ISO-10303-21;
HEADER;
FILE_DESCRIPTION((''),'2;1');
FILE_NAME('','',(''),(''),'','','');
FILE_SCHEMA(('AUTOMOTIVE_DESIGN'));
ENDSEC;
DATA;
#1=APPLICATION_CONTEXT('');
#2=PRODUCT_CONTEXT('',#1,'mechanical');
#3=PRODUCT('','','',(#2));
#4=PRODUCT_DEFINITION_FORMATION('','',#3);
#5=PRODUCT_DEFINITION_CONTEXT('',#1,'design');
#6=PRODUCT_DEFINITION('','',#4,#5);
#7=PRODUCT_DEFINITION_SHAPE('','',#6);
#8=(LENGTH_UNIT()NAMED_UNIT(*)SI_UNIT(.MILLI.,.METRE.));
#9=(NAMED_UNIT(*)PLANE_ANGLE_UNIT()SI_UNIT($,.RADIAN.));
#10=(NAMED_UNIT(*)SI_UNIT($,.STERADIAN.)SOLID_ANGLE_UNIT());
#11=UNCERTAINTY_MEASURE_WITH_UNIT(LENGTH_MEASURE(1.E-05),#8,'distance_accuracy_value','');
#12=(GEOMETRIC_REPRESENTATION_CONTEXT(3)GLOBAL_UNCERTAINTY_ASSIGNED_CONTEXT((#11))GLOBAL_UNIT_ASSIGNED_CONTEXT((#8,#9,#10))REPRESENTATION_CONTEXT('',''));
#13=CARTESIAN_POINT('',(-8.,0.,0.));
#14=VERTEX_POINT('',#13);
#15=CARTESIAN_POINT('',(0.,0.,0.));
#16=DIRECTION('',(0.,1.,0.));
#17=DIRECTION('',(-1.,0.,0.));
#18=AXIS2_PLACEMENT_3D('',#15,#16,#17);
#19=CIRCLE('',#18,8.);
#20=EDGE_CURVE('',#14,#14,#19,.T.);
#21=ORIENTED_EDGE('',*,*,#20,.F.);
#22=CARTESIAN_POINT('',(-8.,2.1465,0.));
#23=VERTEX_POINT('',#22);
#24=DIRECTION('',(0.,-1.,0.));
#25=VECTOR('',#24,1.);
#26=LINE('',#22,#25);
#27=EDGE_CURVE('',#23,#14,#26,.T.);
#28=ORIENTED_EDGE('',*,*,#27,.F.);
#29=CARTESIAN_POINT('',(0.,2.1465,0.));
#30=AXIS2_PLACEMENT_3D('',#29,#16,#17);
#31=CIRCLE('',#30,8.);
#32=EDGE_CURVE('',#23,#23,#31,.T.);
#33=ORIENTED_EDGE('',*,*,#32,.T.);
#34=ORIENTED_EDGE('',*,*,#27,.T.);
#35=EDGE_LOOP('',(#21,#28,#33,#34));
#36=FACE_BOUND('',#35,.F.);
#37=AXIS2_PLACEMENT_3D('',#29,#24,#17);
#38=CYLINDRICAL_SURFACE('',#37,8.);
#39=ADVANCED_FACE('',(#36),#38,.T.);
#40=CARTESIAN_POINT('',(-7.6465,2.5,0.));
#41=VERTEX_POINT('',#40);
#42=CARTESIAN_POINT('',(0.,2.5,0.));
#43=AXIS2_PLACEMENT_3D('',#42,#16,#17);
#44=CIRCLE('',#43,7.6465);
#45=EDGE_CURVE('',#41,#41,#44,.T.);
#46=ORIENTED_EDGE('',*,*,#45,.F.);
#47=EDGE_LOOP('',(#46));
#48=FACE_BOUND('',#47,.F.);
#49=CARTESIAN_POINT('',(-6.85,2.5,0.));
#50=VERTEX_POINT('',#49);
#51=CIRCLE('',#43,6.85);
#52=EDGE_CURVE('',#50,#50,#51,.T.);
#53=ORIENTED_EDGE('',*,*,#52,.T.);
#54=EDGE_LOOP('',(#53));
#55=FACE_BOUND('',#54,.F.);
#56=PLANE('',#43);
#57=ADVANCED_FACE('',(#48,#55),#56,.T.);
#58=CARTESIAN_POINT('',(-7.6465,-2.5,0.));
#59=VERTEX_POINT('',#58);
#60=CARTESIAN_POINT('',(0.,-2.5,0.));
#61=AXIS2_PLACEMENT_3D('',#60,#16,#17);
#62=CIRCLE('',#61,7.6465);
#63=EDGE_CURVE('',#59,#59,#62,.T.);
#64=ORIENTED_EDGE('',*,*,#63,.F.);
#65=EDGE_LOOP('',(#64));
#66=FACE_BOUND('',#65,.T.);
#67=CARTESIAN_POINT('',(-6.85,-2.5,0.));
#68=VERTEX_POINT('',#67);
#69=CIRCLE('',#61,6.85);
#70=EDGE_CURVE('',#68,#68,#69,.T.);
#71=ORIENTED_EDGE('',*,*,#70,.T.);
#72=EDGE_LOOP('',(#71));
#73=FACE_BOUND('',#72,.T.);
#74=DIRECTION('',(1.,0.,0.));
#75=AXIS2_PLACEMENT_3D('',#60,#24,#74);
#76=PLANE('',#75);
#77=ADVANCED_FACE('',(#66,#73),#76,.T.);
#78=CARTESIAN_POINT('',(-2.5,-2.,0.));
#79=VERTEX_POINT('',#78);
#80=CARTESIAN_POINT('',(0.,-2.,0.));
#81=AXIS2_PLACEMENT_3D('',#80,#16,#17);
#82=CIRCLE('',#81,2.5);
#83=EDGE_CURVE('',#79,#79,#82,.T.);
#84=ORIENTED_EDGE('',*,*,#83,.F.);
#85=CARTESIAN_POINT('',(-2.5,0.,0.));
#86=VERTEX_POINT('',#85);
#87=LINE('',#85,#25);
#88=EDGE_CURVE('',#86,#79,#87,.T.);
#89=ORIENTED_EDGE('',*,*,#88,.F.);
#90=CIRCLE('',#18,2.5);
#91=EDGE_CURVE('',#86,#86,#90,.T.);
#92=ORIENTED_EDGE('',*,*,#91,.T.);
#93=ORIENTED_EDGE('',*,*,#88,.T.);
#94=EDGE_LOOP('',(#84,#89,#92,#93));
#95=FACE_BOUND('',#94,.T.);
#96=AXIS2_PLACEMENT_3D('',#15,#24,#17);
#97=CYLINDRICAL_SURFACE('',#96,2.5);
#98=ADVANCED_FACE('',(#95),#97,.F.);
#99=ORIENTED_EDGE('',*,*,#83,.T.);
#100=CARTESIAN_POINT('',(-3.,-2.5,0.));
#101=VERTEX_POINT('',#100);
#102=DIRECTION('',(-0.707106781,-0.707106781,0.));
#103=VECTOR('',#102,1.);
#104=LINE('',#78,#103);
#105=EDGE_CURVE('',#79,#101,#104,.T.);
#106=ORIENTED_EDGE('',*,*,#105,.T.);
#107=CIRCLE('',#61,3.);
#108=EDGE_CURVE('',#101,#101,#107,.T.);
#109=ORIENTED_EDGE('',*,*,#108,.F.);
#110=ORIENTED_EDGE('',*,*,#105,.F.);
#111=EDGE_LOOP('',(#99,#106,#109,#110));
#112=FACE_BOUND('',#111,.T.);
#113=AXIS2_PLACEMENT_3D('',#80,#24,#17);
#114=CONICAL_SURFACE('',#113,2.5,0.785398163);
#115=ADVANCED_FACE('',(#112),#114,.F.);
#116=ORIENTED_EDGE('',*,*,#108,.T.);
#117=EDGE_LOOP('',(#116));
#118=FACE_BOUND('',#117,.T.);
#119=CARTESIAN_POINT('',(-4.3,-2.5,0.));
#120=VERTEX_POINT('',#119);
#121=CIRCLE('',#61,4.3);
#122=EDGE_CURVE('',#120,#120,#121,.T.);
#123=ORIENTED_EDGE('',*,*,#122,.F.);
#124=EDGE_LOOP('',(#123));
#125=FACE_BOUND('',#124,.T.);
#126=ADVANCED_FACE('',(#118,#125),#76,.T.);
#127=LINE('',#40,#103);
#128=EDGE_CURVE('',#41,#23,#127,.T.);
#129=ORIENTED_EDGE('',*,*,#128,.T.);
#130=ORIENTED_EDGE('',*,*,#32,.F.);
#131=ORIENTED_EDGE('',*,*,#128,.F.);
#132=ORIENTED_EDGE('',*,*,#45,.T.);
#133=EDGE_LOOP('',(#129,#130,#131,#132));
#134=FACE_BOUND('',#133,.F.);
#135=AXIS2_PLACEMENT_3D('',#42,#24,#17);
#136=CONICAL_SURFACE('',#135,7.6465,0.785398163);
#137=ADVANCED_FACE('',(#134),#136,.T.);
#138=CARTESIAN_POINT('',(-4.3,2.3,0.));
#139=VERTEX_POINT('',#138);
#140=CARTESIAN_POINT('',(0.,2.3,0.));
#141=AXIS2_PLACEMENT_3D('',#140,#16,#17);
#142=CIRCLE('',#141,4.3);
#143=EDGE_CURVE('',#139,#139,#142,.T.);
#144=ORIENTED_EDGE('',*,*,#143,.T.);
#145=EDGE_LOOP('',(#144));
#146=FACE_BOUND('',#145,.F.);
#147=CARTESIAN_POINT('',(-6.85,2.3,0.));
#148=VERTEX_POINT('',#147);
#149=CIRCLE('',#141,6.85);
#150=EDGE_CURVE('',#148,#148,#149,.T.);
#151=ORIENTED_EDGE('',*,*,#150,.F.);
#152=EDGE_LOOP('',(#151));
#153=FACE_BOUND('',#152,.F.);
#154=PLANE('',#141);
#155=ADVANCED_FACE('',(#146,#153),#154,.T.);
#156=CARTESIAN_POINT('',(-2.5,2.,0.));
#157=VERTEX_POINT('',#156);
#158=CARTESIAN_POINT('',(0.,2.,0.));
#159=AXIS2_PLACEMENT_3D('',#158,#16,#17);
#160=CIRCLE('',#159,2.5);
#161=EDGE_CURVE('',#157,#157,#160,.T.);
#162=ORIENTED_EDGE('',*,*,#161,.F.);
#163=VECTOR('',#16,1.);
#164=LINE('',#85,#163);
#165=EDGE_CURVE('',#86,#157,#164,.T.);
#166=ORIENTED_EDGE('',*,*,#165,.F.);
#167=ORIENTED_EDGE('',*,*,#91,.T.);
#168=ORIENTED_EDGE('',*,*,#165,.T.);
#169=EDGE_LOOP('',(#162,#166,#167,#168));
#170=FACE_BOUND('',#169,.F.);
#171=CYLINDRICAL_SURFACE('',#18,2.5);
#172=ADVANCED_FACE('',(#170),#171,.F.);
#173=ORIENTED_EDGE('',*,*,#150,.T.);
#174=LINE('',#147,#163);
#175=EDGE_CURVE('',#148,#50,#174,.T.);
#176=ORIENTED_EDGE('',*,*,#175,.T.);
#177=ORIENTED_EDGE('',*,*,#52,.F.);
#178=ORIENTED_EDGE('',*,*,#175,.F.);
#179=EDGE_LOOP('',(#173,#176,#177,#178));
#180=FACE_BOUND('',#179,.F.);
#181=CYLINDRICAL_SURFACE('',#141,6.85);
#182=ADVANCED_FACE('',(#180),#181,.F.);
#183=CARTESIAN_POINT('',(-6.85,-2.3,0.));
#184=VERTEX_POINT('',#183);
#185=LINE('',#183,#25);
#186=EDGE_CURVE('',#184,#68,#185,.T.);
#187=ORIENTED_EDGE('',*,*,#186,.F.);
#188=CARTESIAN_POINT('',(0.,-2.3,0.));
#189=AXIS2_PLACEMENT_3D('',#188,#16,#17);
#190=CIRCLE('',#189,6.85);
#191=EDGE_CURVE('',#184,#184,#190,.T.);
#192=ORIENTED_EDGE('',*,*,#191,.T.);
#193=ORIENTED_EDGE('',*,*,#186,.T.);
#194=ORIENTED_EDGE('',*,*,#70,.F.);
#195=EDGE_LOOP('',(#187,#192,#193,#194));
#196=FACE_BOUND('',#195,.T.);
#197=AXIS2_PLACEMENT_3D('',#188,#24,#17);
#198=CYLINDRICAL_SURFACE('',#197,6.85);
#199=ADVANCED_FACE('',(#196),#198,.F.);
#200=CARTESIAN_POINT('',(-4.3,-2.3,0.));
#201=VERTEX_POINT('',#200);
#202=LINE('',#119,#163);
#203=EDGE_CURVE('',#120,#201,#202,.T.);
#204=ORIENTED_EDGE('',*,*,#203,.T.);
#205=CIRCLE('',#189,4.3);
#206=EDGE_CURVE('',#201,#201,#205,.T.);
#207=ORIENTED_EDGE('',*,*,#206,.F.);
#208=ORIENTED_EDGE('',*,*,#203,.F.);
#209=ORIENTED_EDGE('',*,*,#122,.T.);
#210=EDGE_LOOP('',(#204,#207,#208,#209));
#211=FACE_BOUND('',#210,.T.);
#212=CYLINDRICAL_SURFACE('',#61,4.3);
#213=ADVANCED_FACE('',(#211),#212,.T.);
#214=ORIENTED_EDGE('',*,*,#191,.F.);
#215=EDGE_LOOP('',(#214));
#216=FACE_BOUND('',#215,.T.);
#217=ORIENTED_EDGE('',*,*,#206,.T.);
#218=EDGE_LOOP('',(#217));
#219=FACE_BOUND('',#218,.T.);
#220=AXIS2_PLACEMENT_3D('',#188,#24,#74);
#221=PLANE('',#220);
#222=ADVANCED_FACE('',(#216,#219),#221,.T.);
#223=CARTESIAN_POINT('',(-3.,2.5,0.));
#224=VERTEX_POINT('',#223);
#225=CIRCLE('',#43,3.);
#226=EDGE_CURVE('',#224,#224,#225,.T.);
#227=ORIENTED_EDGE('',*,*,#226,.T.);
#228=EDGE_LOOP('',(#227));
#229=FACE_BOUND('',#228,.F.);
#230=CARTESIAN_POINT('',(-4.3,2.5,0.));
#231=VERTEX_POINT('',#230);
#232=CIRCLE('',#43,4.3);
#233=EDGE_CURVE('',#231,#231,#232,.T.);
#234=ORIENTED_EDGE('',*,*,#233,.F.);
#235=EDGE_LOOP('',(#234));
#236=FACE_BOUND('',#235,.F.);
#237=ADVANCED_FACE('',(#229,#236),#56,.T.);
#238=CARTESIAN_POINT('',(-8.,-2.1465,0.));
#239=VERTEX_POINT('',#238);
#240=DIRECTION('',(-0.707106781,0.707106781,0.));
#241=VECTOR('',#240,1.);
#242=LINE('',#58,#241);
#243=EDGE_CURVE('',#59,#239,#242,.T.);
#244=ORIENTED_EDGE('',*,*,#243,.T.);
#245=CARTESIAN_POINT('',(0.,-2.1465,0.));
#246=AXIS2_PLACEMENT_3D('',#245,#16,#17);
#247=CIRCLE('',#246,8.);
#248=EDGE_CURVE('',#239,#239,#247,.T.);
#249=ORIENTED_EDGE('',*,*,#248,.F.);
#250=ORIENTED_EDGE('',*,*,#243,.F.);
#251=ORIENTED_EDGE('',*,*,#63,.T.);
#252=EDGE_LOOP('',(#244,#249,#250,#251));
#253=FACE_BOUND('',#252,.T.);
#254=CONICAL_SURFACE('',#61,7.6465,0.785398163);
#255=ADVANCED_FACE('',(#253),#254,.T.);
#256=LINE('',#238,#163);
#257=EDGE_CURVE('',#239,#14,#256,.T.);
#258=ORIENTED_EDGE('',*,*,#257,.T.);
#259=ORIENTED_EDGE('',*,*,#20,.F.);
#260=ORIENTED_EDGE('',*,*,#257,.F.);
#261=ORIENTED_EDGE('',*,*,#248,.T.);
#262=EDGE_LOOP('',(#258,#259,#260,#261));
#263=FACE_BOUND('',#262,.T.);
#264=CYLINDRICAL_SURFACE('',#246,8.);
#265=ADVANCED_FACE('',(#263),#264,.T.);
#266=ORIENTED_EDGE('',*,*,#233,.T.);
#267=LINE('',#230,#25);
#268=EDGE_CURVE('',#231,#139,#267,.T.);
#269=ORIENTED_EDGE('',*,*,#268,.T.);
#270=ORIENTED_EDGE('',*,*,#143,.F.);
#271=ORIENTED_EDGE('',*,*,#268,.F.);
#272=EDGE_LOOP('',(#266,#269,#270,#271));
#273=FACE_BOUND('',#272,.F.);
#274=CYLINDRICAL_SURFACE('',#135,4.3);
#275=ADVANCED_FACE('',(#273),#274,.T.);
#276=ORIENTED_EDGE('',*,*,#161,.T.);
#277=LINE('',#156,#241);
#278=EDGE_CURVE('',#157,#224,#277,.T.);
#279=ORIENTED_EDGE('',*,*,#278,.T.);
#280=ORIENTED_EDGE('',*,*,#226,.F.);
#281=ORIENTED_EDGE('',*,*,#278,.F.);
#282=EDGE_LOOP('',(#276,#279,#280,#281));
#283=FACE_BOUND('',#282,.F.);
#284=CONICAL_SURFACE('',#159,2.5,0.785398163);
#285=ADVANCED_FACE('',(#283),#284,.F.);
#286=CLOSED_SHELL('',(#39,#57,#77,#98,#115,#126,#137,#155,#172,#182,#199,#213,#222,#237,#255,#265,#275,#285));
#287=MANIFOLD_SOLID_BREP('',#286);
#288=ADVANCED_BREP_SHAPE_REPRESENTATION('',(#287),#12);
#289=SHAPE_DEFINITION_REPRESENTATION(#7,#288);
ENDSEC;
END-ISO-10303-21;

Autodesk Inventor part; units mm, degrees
ref_plane "YZ Plane" through (0, 0, 0) normal (1, 0, 0) x (0, 1, 0)
ref_plane "XZ Plane" through (0, 0, 0) normal (0, 1, 0) x (-1, 0, 0)
ref_plane "XY Plane" through (0, 0, 0) normal (0, 0, 1) x (1, 0, 0)
sketch "Sketch1" plane through (0, 0, 0) normal (0, 0, 1) x (1, 0, 0)
  line L0 (0, 0) -> (0, 2.5)
  line L1 (-2.5, 0) -> (-2.5, 2)
  line L2 (-2.5, 2) -> (-3, 2.5)
  line L3 (-3, 2.5) -> (-4.3, 2.5)
  line L4 (-4.3, 2.5) -> (-4.3, 2.3)
  line L5 (-4.3, 2.3) -> (-6.85, 2.3)
  line L6 (-6.85, 2.3) -> (-6.85, 2.5)
  line L7 (-6.85, 2.5) -> (-7.6465, 2.5)
  line L8 (-7.6465, 2.5) -> (-8, 2.1465)
  line L9 (-8, 2.1465) -> (-8, 0)
  line L10 (-8, 0) -> (-2.5, 0)
  dimension "d9" = 2.5
  dimension "d19" = 2.5
  dimension "d20" = 0.2
  dimension "d21" = 5
  dimension "d22" = 6
  dimension "d23" = 8.6
  dimension "d24" = 13.7
  dimension "d26" = 16
  dimension "d27" = 135
  dimension "d29" = 0.5
  dimension "d30" = 15.293
revolve "Revolution1" add sketch "Sketch1" angle 360 about axis through (0, 0, 0) along (0, 1, 0)
mirror "Mirror1" about plane through (-5.25, 0, 0) normal (0, -1, 0) of "Revolution1"
equation "\"d19\" = d9"
properties part number "625 2RS Bearing"
